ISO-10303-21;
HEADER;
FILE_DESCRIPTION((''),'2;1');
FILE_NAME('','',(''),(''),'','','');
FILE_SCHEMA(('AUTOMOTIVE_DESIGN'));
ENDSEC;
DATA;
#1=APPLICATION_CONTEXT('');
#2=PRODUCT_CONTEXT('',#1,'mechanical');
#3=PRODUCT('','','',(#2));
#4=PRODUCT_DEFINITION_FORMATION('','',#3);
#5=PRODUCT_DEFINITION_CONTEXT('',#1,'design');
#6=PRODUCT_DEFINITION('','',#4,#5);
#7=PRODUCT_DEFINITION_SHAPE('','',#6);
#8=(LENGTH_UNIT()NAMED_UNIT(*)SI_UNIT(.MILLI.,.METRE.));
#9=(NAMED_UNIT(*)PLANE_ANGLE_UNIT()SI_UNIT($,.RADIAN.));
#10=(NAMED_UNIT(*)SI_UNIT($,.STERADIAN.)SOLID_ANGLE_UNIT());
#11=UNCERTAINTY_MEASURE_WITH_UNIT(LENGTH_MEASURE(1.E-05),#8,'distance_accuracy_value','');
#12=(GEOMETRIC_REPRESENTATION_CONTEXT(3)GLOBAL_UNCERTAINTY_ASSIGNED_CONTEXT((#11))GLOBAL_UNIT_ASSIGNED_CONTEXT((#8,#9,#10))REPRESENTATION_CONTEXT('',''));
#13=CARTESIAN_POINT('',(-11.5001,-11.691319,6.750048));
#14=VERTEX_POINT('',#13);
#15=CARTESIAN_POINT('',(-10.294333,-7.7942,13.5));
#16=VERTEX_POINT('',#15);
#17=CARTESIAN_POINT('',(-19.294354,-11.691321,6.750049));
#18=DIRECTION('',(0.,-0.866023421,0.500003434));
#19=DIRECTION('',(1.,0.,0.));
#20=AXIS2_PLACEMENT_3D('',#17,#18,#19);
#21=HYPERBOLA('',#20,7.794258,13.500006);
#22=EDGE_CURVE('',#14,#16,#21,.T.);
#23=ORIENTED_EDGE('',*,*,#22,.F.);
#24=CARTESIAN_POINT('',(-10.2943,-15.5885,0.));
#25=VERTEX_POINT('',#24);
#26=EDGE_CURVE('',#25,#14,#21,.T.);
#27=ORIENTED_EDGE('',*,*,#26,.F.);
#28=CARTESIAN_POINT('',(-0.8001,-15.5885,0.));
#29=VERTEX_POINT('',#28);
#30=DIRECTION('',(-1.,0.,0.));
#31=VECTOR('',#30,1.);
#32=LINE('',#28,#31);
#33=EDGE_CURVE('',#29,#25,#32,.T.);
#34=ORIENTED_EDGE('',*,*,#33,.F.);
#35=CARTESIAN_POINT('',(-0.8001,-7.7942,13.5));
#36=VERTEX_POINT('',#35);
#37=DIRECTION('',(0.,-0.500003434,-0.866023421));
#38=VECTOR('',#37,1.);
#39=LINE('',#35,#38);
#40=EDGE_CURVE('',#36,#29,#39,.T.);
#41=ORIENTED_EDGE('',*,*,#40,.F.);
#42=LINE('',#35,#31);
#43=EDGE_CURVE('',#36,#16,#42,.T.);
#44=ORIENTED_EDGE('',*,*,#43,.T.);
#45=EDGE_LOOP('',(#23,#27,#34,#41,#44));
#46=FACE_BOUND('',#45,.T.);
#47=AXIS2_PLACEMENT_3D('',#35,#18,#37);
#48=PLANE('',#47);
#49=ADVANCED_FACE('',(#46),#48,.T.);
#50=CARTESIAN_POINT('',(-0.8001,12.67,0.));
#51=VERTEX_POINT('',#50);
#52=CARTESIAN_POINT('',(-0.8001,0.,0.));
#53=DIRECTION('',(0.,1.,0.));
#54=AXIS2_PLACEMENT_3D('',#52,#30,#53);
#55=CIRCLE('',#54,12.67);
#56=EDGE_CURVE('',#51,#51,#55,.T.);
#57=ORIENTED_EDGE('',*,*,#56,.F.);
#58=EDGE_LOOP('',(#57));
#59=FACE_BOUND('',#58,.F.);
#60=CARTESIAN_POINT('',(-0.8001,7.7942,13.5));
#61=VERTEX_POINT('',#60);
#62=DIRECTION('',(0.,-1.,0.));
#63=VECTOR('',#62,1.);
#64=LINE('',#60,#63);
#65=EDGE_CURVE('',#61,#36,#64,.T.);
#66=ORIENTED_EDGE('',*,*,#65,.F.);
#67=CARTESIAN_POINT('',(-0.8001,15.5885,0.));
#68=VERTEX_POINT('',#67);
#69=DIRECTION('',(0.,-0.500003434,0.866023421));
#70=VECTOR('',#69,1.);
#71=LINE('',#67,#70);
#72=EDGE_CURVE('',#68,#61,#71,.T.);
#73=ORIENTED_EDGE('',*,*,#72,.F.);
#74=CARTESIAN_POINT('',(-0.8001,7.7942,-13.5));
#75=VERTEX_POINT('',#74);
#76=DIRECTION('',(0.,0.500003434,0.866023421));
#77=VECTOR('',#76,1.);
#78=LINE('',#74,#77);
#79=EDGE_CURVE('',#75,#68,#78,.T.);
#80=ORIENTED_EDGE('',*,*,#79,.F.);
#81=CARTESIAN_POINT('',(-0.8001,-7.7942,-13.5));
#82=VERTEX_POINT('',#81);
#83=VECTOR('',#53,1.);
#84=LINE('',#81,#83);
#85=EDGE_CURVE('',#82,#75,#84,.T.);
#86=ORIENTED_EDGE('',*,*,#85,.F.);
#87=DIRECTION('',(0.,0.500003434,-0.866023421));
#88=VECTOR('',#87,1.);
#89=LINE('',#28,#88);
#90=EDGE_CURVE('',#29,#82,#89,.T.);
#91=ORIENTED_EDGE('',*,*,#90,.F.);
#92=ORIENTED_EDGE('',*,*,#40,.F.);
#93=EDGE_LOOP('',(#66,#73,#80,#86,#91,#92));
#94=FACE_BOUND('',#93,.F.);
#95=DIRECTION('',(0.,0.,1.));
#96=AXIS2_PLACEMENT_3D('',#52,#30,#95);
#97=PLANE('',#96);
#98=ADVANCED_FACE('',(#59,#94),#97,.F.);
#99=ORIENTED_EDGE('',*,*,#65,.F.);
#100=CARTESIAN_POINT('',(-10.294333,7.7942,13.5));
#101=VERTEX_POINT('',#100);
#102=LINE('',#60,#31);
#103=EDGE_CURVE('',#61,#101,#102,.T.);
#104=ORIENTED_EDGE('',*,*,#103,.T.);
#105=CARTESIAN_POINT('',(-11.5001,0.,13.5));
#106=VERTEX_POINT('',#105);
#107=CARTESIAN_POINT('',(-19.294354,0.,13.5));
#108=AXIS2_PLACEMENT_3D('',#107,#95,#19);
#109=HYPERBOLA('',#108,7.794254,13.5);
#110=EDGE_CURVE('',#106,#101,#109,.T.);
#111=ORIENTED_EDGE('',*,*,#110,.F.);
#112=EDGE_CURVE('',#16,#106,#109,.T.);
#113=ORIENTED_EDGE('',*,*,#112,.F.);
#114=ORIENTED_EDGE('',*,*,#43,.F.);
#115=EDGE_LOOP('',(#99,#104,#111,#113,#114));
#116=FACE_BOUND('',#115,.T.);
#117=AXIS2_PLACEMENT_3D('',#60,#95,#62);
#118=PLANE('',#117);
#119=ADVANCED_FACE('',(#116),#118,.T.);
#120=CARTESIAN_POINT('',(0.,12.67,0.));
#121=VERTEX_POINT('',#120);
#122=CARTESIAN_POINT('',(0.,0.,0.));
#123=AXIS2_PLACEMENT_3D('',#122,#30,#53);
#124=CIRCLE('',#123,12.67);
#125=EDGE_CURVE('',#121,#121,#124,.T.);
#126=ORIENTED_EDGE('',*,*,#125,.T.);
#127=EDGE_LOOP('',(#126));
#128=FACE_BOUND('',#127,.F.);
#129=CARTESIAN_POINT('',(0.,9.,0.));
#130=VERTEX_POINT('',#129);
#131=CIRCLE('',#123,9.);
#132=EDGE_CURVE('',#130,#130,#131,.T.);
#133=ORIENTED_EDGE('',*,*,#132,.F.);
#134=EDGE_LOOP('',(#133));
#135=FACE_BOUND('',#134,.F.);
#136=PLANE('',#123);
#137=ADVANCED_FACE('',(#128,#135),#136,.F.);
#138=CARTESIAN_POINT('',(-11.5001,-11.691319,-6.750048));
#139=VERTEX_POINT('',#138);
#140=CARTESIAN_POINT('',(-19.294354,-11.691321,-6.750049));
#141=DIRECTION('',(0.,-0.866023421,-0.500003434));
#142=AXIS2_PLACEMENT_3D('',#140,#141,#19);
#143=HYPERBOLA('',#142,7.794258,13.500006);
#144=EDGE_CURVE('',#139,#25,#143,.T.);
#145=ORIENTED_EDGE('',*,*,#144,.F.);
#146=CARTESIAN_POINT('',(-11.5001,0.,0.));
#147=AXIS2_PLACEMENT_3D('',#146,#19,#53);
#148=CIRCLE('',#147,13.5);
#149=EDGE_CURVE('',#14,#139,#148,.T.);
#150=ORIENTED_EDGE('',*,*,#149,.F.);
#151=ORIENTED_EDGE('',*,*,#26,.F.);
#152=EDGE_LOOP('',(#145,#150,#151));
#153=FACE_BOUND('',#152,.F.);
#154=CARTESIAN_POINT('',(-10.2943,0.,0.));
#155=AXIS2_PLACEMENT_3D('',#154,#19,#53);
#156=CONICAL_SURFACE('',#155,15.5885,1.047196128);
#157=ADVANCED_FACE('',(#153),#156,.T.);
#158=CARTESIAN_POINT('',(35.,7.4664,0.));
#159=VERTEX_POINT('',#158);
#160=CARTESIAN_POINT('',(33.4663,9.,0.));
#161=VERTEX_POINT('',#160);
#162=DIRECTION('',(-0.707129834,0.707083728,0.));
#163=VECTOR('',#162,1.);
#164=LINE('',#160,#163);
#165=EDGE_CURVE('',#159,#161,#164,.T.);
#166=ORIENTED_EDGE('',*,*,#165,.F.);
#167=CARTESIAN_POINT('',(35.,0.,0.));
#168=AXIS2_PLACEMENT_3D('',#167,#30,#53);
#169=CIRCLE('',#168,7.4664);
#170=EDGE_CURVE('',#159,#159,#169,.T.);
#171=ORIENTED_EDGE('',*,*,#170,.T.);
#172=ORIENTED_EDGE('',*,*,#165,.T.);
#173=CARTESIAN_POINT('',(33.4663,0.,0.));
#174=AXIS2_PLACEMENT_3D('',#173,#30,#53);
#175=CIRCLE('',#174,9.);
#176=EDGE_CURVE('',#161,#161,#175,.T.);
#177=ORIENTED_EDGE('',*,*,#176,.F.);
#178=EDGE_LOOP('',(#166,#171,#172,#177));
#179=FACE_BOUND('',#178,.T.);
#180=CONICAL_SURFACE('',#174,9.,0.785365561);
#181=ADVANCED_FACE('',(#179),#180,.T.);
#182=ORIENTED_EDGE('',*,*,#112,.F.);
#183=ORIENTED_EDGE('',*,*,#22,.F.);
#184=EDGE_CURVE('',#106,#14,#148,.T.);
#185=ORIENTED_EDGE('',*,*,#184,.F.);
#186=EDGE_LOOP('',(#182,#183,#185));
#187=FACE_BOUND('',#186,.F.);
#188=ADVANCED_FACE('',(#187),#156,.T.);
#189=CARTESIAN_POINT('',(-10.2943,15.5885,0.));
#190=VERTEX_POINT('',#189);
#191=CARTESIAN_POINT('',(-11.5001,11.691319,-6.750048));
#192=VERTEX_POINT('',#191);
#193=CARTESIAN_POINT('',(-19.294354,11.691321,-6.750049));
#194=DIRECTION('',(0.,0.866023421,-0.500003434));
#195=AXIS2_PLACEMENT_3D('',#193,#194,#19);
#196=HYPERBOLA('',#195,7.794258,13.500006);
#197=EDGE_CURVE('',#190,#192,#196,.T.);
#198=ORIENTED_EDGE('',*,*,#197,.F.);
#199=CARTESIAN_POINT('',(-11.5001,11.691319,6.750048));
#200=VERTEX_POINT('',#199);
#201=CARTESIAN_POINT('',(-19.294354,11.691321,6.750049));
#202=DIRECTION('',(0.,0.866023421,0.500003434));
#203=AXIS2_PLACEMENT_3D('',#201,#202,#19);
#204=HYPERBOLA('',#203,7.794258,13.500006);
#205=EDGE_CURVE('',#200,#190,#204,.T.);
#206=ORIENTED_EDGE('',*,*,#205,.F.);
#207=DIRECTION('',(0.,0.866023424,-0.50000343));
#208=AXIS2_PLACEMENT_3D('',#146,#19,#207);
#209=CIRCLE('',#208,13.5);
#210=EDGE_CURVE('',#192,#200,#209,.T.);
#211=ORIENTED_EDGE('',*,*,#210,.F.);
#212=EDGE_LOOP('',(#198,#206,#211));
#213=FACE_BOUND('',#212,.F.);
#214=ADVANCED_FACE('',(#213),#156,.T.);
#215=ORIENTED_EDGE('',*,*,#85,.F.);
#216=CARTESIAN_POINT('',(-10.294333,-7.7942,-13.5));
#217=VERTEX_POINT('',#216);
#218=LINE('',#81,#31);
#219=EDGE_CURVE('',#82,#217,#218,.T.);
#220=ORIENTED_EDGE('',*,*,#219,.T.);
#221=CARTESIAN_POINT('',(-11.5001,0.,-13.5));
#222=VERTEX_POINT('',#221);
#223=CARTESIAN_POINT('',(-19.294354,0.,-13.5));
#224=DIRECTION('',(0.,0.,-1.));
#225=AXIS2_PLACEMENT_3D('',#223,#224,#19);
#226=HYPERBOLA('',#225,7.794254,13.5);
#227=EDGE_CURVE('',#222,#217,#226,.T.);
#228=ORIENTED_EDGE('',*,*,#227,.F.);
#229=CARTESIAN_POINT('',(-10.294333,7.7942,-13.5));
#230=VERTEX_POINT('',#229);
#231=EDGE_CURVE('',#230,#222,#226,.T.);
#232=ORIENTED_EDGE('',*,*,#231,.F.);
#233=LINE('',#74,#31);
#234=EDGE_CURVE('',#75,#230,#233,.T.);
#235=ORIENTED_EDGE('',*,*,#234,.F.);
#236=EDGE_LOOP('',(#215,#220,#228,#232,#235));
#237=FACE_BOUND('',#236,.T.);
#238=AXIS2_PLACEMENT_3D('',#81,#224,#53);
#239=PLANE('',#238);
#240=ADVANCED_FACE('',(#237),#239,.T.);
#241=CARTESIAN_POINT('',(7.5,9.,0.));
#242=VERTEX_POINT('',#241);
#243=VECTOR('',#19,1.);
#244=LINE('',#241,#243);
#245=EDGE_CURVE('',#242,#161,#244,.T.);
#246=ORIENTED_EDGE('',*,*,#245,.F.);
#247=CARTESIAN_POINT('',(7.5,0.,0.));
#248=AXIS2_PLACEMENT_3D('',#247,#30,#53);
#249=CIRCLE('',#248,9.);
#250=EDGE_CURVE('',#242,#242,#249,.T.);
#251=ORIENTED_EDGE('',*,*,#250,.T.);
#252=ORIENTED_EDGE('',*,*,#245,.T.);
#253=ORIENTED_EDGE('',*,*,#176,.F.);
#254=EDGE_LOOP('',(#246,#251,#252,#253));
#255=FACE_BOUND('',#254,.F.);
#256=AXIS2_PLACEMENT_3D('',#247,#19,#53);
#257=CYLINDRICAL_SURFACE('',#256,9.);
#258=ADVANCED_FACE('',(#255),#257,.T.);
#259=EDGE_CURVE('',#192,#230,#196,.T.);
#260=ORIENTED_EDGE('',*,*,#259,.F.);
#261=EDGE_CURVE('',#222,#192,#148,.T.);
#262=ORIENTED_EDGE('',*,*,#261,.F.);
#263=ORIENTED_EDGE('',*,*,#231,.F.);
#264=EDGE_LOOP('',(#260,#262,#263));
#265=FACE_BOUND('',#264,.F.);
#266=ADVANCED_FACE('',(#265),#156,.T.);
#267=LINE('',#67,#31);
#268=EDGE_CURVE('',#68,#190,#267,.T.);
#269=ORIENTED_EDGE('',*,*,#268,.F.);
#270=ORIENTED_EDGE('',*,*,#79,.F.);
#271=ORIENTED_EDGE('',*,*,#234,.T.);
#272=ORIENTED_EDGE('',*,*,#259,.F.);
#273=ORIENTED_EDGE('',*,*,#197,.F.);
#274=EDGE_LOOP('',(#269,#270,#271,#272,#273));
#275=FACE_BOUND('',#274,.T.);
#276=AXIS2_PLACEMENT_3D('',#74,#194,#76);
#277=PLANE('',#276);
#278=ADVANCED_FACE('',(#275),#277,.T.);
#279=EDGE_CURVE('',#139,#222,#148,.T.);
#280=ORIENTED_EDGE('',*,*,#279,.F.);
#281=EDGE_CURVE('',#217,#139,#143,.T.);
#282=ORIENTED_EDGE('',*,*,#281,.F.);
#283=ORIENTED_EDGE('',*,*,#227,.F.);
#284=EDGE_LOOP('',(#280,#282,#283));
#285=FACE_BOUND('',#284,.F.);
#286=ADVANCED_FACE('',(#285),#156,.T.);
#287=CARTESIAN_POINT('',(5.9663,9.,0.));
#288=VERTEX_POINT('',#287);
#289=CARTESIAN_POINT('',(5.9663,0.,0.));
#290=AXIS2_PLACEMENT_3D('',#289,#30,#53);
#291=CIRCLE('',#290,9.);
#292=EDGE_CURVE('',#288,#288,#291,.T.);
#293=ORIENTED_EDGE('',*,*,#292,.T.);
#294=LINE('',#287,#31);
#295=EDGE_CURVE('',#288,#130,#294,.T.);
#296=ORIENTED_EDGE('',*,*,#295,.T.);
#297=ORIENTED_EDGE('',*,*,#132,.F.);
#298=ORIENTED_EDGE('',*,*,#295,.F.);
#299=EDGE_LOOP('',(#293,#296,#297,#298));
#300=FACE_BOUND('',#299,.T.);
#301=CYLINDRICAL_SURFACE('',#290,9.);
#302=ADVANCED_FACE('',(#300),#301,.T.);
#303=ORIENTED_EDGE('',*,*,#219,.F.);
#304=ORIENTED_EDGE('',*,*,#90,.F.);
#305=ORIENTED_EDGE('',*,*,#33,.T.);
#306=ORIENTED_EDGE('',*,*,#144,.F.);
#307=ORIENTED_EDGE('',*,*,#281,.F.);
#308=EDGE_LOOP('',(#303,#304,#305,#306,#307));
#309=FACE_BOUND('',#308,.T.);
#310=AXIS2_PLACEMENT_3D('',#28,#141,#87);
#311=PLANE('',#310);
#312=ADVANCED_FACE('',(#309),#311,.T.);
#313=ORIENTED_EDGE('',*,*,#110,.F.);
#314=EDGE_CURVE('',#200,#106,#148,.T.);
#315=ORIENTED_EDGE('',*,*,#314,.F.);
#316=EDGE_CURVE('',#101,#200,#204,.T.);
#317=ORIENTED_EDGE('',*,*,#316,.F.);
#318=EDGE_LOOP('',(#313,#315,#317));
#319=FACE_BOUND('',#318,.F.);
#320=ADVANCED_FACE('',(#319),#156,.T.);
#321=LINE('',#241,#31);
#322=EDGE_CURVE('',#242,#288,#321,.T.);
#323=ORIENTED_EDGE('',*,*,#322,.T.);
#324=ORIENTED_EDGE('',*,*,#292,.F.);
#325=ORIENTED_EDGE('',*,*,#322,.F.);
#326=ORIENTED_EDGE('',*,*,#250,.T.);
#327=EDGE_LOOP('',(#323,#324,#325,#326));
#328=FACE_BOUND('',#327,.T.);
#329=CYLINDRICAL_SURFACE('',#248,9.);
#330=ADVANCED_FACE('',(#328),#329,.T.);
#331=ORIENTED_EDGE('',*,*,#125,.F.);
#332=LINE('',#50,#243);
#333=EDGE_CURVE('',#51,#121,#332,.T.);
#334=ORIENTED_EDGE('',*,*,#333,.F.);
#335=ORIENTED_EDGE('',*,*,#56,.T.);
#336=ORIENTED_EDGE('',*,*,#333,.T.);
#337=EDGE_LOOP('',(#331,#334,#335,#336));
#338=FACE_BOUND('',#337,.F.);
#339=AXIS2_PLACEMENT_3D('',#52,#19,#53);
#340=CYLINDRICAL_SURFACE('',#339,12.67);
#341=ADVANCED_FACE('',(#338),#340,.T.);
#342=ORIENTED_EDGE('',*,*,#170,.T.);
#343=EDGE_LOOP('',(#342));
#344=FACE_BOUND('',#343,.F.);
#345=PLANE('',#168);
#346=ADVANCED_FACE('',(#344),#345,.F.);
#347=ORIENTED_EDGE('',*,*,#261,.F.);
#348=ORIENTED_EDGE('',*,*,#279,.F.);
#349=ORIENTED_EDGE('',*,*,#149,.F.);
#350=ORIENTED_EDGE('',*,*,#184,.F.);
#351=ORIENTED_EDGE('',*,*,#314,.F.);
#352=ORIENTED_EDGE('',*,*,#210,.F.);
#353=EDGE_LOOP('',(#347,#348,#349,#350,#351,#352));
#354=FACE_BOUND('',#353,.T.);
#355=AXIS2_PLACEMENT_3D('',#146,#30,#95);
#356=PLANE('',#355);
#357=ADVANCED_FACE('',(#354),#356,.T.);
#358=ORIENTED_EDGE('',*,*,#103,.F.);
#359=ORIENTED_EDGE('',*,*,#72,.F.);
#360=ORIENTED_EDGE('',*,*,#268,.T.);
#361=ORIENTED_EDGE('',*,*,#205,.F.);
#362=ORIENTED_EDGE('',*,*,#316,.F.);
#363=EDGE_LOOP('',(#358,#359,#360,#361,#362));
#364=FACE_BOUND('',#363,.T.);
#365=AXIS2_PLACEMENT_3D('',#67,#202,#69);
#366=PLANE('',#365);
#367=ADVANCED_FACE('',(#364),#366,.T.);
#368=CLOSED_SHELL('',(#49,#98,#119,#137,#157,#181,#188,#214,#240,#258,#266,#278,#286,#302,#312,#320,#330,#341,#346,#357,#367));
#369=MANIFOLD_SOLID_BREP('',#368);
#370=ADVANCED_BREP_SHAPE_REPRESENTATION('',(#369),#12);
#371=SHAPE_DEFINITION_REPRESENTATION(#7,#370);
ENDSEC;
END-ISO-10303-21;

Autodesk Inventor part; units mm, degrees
ref_plane "YZ Plane" through (0, 0, 0) normal (1, 0, 0) x (0, 1, 0)
ref_plane "XZ Plane" through (0, 0, 0) normal (0, 1, 0) x (-1, 0, 0)
sketch "Sketch1" plane through (0, 0, 0) normal (0, 0, 1) x (1, 0, 0)
  line L0 (0, 12.67) -> (0, 9)
  line L1 (7.5, 9) -> (35, 9)
  line L2 (35, 9) -> (35, 0)
  line L3 (35, 0) -> (-0.8001, 0)
  line L4 (-7.9601, 0) -> (42.16, 0) projected
  line L5 (-0.8001, 0) -> (-0.8001, 12.67)
  line L6 (-0.8001, 12.67) -> (0, 12.67)
  line L7 (7.5, 9) -> (5.9663, 9)
  line L8 (5.9663, 9) -> (0, 9)
  line L9 (0, -2.534) -> (0, 15.204) projected
  dimension "d0" = 35
  dimension "d1" = 27.5
  dimension "d2" = 18
  dimension "d9" = 0.8001
  dimension "d10" = 25.34
  dimension "d13" = 1.5337
  dimension "d14" = 18
revolve "Body" add sketch "Sketch1" angle 360 about axis through (35, 0, 0) along (-1, 0, 0)
sketch "Sketch2" plane through (-0.8001, 0, 0) normal (-1, 0, 0) x (0, 0, 1)
  line L0 (0, 15.5885) -> (13.5, 7.7942)
  line L1 (13.5, 7.7942) -> (13.5, -7.7942)
  line L2 (13.5, -7.7942) -> (0, -15.5885)
  line L3 (0, -15.5885) -> (-13.5, -7.7942)
  line L4 (-13.5, -7.7942) -> (-13.5, 7.7942)
  line L5 (-13.5, 7.7942) -> (0, 15.5885)
  point P0 (0, 0)
  point P1 (0, 0)
  dimension "d11" = 27
extrude "Head" add sketch "Sketch2" along normal blind 10.7
sketch "Sketch4" plane through (0, 0, 0) normal (0, 0, 1) x (1, 0, 0)
  line L0 (-11.5001, 13.5) -> (-11.5001, 15.5885)
  line L1 (-11.5001, 15.5885) -> (-10.2943, 15.5885)
  line L2 (-10.2943, 15.5885) -> (-11.5001, 13.5)
  line L3 (-13.6401, 0) -> (1.3399, 0) projected
  line L4 (-0.8001, 15.5885) -> (-11.5001, 15.5885) projected
  line L5 (-11.5001, 7.7942) -> (-11.5001, 15.5885) projected
  dimension "d5" = 30
  dimension "d19" = 27
revolve "Chamfer1" cut sketch "Sketch4" angle 360 about axis through (-10, 0, 0) along (1, 0, 0)
thread "Thread" size "M18x2.5" class "6g" standard "ISO Metric profile" length 27.5
chamfer "Chamfer2" distance 1.5336 distance2 1.5337 1 edges at (35, -9, 0) measured on face at (35, 1.0638, -2.805)
ref_plane "Work Plane1" through (1.525, 0, 0) normal (0, 0, 1) x (1, 0, 0)
equation "\"d0\" = NLG"
equation "\"d1\" = GEL"
equation "\"d2\" = GD"
equation "\"d10\" = SD2"
equation "\"d14\" = BDM"
equation "\"d11\" = SW"
equation "\"d3\" = KOH - SD"
equation "\"d5\" = ANG1"
equation "\"d19\" = SW0"
equation "\"d15\" = GEL"
equation "\"d6\" = -0.5 * SPD + 0.5 * GD"
equation "\"NLG\" = 35"
equation "\"GD\" = NND"
equation "\"BDM\" = NND"
equation "\"KOH\" = 11.5"
equation "\"GEL\" = 27.5"
equation "\"SW\" = 27"
equation "\"SW0\" = SW"
equation "\"SPD\" = NND - 1.2269 * PTC"
equation "\"SD2\" = 25.34"
equation "\"SD\" = 0.8"
equation "\"ANG1\" = 30deg"
equation "\"GAL\" = 0.61345 * PTC"
equation "\"GUL\" = 0.61345 * PTC"
equation "\"RR\" = 0.6"
equation "\"GD1\" = THREADDIA - 1.2269 * PTC"
equation "\"THREADDIA\" = 18"
equation "\"SDH\" = SD2"
equation "\"SDHG\" = 7.5"
equation "\"TOA\" = 30deg"
equation "\"PTC\" = 2.5"
equation "\"NND\" = 18"
equation "\"E0\" = 31.185"
properties part number "ISO 4017 - M18 x 35" material "Stainless Steel, 440C"
